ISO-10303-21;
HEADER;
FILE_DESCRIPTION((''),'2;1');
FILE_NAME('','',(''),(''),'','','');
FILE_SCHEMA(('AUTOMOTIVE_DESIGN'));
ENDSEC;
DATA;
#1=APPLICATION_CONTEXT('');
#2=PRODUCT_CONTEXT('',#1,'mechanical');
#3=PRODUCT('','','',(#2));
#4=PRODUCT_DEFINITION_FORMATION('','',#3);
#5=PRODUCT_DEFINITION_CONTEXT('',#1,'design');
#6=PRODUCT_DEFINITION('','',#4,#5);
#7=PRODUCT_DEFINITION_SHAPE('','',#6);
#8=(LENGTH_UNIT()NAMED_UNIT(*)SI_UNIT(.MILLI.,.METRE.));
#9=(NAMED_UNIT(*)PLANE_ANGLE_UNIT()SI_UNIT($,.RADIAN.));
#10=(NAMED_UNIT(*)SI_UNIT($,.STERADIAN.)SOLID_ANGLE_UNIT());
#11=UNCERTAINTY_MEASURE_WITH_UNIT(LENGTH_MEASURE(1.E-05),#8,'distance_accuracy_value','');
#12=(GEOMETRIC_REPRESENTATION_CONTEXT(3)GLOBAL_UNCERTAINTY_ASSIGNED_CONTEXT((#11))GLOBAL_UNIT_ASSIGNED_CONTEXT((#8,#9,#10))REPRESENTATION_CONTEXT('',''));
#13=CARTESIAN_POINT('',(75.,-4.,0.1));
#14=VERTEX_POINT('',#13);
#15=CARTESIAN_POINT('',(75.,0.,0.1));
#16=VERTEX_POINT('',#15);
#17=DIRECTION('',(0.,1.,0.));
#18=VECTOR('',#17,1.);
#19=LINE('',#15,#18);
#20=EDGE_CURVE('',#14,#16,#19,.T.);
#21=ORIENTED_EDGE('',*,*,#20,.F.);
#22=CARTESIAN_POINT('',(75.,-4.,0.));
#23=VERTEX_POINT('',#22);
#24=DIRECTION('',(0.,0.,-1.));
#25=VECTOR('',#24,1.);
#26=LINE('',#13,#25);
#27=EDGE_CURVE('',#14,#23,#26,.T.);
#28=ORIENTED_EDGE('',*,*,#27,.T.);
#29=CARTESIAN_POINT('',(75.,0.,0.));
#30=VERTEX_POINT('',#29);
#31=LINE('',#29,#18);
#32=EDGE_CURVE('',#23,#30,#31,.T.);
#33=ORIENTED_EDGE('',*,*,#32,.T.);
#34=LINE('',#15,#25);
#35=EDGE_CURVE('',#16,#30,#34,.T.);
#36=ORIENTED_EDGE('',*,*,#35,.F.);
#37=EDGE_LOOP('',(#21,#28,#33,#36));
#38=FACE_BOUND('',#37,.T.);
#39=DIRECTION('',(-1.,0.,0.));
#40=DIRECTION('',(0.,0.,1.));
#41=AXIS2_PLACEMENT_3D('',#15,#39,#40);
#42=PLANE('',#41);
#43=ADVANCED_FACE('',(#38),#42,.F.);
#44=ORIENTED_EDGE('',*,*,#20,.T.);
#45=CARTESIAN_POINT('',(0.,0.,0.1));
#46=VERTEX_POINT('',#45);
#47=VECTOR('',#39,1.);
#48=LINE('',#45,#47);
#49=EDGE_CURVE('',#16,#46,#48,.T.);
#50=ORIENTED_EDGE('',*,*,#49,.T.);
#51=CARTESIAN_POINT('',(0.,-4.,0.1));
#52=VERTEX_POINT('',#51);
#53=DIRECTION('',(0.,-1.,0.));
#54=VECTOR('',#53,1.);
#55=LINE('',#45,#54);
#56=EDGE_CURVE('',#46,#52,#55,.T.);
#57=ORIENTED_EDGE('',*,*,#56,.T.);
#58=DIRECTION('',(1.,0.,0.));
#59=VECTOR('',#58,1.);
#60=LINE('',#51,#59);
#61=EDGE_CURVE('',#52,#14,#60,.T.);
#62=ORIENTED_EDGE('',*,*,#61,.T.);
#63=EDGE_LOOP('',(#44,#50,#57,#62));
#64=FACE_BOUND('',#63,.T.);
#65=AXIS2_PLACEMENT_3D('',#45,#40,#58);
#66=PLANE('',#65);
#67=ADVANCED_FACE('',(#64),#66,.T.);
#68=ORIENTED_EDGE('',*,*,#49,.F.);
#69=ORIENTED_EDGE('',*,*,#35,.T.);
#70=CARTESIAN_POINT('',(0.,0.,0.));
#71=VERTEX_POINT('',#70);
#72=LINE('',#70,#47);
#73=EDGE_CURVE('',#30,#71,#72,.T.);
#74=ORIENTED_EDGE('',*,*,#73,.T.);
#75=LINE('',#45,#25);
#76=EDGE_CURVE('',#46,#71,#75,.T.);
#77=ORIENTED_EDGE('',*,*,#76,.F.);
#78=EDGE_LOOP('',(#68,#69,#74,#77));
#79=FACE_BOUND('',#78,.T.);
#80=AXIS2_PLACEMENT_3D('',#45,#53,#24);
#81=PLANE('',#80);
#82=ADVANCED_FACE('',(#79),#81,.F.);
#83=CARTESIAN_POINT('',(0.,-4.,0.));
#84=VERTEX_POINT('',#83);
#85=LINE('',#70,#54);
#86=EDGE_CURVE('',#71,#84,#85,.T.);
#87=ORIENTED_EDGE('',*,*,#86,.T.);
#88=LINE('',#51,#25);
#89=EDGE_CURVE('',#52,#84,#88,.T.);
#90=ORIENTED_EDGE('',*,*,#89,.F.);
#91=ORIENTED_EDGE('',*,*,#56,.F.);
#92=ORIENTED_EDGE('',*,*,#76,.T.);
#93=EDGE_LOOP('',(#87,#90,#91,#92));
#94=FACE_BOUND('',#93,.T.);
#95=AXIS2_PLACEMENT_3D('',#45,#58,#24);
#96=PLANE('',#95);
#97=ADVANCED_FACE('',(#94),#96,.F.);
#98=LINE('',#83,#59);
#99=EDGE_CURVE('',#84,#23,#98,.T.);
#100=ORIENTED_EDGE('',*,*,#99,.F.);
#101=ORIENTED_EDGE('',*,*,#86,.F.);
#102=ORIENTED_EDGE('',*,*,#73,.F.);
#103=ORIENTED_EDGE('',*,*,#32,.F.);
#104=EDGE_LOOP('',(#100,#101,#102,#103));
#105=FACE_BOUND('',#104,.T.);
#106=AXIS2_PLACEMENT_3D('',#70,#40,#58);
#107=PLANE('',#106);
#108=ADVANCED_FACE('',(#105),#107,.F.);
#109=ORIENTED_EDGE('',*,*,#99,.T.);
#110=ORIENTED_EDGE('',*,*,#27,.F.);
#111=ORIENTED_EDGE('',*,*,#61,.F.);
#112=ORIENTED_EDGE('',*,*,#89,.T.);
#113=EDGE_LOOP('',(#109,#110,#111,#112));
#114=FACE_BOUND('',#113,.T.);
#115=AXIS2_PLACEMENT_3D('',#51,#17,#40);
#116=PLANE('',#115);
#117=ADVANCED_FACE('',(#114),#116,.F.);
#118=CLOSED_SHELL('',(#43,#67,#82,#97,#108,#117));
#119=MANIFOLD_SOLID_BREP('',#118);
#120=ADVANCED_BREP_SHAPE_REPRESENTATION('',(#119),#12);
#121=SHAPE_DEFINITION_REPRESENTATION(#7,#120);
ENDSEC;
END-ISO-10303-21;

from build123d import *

# Parameters (mm, degrees)
SKETCH1_W           = 75
SKETCH1_H           = 4
BOSS_EXTRUDE1_DEPTH = 0.1


with BuildPart() as part:
    # Sketch1 → Boss-Extrude1 (new body)
    with BuildSketch(Plane.XY):
        with Locations((37.5, -2)):
            Rectangle(SKETCH1_W, SKETCH1_H)
    extrude(amount=BOSS_EXTRUDE1_DEPTH)


solid = part.part
